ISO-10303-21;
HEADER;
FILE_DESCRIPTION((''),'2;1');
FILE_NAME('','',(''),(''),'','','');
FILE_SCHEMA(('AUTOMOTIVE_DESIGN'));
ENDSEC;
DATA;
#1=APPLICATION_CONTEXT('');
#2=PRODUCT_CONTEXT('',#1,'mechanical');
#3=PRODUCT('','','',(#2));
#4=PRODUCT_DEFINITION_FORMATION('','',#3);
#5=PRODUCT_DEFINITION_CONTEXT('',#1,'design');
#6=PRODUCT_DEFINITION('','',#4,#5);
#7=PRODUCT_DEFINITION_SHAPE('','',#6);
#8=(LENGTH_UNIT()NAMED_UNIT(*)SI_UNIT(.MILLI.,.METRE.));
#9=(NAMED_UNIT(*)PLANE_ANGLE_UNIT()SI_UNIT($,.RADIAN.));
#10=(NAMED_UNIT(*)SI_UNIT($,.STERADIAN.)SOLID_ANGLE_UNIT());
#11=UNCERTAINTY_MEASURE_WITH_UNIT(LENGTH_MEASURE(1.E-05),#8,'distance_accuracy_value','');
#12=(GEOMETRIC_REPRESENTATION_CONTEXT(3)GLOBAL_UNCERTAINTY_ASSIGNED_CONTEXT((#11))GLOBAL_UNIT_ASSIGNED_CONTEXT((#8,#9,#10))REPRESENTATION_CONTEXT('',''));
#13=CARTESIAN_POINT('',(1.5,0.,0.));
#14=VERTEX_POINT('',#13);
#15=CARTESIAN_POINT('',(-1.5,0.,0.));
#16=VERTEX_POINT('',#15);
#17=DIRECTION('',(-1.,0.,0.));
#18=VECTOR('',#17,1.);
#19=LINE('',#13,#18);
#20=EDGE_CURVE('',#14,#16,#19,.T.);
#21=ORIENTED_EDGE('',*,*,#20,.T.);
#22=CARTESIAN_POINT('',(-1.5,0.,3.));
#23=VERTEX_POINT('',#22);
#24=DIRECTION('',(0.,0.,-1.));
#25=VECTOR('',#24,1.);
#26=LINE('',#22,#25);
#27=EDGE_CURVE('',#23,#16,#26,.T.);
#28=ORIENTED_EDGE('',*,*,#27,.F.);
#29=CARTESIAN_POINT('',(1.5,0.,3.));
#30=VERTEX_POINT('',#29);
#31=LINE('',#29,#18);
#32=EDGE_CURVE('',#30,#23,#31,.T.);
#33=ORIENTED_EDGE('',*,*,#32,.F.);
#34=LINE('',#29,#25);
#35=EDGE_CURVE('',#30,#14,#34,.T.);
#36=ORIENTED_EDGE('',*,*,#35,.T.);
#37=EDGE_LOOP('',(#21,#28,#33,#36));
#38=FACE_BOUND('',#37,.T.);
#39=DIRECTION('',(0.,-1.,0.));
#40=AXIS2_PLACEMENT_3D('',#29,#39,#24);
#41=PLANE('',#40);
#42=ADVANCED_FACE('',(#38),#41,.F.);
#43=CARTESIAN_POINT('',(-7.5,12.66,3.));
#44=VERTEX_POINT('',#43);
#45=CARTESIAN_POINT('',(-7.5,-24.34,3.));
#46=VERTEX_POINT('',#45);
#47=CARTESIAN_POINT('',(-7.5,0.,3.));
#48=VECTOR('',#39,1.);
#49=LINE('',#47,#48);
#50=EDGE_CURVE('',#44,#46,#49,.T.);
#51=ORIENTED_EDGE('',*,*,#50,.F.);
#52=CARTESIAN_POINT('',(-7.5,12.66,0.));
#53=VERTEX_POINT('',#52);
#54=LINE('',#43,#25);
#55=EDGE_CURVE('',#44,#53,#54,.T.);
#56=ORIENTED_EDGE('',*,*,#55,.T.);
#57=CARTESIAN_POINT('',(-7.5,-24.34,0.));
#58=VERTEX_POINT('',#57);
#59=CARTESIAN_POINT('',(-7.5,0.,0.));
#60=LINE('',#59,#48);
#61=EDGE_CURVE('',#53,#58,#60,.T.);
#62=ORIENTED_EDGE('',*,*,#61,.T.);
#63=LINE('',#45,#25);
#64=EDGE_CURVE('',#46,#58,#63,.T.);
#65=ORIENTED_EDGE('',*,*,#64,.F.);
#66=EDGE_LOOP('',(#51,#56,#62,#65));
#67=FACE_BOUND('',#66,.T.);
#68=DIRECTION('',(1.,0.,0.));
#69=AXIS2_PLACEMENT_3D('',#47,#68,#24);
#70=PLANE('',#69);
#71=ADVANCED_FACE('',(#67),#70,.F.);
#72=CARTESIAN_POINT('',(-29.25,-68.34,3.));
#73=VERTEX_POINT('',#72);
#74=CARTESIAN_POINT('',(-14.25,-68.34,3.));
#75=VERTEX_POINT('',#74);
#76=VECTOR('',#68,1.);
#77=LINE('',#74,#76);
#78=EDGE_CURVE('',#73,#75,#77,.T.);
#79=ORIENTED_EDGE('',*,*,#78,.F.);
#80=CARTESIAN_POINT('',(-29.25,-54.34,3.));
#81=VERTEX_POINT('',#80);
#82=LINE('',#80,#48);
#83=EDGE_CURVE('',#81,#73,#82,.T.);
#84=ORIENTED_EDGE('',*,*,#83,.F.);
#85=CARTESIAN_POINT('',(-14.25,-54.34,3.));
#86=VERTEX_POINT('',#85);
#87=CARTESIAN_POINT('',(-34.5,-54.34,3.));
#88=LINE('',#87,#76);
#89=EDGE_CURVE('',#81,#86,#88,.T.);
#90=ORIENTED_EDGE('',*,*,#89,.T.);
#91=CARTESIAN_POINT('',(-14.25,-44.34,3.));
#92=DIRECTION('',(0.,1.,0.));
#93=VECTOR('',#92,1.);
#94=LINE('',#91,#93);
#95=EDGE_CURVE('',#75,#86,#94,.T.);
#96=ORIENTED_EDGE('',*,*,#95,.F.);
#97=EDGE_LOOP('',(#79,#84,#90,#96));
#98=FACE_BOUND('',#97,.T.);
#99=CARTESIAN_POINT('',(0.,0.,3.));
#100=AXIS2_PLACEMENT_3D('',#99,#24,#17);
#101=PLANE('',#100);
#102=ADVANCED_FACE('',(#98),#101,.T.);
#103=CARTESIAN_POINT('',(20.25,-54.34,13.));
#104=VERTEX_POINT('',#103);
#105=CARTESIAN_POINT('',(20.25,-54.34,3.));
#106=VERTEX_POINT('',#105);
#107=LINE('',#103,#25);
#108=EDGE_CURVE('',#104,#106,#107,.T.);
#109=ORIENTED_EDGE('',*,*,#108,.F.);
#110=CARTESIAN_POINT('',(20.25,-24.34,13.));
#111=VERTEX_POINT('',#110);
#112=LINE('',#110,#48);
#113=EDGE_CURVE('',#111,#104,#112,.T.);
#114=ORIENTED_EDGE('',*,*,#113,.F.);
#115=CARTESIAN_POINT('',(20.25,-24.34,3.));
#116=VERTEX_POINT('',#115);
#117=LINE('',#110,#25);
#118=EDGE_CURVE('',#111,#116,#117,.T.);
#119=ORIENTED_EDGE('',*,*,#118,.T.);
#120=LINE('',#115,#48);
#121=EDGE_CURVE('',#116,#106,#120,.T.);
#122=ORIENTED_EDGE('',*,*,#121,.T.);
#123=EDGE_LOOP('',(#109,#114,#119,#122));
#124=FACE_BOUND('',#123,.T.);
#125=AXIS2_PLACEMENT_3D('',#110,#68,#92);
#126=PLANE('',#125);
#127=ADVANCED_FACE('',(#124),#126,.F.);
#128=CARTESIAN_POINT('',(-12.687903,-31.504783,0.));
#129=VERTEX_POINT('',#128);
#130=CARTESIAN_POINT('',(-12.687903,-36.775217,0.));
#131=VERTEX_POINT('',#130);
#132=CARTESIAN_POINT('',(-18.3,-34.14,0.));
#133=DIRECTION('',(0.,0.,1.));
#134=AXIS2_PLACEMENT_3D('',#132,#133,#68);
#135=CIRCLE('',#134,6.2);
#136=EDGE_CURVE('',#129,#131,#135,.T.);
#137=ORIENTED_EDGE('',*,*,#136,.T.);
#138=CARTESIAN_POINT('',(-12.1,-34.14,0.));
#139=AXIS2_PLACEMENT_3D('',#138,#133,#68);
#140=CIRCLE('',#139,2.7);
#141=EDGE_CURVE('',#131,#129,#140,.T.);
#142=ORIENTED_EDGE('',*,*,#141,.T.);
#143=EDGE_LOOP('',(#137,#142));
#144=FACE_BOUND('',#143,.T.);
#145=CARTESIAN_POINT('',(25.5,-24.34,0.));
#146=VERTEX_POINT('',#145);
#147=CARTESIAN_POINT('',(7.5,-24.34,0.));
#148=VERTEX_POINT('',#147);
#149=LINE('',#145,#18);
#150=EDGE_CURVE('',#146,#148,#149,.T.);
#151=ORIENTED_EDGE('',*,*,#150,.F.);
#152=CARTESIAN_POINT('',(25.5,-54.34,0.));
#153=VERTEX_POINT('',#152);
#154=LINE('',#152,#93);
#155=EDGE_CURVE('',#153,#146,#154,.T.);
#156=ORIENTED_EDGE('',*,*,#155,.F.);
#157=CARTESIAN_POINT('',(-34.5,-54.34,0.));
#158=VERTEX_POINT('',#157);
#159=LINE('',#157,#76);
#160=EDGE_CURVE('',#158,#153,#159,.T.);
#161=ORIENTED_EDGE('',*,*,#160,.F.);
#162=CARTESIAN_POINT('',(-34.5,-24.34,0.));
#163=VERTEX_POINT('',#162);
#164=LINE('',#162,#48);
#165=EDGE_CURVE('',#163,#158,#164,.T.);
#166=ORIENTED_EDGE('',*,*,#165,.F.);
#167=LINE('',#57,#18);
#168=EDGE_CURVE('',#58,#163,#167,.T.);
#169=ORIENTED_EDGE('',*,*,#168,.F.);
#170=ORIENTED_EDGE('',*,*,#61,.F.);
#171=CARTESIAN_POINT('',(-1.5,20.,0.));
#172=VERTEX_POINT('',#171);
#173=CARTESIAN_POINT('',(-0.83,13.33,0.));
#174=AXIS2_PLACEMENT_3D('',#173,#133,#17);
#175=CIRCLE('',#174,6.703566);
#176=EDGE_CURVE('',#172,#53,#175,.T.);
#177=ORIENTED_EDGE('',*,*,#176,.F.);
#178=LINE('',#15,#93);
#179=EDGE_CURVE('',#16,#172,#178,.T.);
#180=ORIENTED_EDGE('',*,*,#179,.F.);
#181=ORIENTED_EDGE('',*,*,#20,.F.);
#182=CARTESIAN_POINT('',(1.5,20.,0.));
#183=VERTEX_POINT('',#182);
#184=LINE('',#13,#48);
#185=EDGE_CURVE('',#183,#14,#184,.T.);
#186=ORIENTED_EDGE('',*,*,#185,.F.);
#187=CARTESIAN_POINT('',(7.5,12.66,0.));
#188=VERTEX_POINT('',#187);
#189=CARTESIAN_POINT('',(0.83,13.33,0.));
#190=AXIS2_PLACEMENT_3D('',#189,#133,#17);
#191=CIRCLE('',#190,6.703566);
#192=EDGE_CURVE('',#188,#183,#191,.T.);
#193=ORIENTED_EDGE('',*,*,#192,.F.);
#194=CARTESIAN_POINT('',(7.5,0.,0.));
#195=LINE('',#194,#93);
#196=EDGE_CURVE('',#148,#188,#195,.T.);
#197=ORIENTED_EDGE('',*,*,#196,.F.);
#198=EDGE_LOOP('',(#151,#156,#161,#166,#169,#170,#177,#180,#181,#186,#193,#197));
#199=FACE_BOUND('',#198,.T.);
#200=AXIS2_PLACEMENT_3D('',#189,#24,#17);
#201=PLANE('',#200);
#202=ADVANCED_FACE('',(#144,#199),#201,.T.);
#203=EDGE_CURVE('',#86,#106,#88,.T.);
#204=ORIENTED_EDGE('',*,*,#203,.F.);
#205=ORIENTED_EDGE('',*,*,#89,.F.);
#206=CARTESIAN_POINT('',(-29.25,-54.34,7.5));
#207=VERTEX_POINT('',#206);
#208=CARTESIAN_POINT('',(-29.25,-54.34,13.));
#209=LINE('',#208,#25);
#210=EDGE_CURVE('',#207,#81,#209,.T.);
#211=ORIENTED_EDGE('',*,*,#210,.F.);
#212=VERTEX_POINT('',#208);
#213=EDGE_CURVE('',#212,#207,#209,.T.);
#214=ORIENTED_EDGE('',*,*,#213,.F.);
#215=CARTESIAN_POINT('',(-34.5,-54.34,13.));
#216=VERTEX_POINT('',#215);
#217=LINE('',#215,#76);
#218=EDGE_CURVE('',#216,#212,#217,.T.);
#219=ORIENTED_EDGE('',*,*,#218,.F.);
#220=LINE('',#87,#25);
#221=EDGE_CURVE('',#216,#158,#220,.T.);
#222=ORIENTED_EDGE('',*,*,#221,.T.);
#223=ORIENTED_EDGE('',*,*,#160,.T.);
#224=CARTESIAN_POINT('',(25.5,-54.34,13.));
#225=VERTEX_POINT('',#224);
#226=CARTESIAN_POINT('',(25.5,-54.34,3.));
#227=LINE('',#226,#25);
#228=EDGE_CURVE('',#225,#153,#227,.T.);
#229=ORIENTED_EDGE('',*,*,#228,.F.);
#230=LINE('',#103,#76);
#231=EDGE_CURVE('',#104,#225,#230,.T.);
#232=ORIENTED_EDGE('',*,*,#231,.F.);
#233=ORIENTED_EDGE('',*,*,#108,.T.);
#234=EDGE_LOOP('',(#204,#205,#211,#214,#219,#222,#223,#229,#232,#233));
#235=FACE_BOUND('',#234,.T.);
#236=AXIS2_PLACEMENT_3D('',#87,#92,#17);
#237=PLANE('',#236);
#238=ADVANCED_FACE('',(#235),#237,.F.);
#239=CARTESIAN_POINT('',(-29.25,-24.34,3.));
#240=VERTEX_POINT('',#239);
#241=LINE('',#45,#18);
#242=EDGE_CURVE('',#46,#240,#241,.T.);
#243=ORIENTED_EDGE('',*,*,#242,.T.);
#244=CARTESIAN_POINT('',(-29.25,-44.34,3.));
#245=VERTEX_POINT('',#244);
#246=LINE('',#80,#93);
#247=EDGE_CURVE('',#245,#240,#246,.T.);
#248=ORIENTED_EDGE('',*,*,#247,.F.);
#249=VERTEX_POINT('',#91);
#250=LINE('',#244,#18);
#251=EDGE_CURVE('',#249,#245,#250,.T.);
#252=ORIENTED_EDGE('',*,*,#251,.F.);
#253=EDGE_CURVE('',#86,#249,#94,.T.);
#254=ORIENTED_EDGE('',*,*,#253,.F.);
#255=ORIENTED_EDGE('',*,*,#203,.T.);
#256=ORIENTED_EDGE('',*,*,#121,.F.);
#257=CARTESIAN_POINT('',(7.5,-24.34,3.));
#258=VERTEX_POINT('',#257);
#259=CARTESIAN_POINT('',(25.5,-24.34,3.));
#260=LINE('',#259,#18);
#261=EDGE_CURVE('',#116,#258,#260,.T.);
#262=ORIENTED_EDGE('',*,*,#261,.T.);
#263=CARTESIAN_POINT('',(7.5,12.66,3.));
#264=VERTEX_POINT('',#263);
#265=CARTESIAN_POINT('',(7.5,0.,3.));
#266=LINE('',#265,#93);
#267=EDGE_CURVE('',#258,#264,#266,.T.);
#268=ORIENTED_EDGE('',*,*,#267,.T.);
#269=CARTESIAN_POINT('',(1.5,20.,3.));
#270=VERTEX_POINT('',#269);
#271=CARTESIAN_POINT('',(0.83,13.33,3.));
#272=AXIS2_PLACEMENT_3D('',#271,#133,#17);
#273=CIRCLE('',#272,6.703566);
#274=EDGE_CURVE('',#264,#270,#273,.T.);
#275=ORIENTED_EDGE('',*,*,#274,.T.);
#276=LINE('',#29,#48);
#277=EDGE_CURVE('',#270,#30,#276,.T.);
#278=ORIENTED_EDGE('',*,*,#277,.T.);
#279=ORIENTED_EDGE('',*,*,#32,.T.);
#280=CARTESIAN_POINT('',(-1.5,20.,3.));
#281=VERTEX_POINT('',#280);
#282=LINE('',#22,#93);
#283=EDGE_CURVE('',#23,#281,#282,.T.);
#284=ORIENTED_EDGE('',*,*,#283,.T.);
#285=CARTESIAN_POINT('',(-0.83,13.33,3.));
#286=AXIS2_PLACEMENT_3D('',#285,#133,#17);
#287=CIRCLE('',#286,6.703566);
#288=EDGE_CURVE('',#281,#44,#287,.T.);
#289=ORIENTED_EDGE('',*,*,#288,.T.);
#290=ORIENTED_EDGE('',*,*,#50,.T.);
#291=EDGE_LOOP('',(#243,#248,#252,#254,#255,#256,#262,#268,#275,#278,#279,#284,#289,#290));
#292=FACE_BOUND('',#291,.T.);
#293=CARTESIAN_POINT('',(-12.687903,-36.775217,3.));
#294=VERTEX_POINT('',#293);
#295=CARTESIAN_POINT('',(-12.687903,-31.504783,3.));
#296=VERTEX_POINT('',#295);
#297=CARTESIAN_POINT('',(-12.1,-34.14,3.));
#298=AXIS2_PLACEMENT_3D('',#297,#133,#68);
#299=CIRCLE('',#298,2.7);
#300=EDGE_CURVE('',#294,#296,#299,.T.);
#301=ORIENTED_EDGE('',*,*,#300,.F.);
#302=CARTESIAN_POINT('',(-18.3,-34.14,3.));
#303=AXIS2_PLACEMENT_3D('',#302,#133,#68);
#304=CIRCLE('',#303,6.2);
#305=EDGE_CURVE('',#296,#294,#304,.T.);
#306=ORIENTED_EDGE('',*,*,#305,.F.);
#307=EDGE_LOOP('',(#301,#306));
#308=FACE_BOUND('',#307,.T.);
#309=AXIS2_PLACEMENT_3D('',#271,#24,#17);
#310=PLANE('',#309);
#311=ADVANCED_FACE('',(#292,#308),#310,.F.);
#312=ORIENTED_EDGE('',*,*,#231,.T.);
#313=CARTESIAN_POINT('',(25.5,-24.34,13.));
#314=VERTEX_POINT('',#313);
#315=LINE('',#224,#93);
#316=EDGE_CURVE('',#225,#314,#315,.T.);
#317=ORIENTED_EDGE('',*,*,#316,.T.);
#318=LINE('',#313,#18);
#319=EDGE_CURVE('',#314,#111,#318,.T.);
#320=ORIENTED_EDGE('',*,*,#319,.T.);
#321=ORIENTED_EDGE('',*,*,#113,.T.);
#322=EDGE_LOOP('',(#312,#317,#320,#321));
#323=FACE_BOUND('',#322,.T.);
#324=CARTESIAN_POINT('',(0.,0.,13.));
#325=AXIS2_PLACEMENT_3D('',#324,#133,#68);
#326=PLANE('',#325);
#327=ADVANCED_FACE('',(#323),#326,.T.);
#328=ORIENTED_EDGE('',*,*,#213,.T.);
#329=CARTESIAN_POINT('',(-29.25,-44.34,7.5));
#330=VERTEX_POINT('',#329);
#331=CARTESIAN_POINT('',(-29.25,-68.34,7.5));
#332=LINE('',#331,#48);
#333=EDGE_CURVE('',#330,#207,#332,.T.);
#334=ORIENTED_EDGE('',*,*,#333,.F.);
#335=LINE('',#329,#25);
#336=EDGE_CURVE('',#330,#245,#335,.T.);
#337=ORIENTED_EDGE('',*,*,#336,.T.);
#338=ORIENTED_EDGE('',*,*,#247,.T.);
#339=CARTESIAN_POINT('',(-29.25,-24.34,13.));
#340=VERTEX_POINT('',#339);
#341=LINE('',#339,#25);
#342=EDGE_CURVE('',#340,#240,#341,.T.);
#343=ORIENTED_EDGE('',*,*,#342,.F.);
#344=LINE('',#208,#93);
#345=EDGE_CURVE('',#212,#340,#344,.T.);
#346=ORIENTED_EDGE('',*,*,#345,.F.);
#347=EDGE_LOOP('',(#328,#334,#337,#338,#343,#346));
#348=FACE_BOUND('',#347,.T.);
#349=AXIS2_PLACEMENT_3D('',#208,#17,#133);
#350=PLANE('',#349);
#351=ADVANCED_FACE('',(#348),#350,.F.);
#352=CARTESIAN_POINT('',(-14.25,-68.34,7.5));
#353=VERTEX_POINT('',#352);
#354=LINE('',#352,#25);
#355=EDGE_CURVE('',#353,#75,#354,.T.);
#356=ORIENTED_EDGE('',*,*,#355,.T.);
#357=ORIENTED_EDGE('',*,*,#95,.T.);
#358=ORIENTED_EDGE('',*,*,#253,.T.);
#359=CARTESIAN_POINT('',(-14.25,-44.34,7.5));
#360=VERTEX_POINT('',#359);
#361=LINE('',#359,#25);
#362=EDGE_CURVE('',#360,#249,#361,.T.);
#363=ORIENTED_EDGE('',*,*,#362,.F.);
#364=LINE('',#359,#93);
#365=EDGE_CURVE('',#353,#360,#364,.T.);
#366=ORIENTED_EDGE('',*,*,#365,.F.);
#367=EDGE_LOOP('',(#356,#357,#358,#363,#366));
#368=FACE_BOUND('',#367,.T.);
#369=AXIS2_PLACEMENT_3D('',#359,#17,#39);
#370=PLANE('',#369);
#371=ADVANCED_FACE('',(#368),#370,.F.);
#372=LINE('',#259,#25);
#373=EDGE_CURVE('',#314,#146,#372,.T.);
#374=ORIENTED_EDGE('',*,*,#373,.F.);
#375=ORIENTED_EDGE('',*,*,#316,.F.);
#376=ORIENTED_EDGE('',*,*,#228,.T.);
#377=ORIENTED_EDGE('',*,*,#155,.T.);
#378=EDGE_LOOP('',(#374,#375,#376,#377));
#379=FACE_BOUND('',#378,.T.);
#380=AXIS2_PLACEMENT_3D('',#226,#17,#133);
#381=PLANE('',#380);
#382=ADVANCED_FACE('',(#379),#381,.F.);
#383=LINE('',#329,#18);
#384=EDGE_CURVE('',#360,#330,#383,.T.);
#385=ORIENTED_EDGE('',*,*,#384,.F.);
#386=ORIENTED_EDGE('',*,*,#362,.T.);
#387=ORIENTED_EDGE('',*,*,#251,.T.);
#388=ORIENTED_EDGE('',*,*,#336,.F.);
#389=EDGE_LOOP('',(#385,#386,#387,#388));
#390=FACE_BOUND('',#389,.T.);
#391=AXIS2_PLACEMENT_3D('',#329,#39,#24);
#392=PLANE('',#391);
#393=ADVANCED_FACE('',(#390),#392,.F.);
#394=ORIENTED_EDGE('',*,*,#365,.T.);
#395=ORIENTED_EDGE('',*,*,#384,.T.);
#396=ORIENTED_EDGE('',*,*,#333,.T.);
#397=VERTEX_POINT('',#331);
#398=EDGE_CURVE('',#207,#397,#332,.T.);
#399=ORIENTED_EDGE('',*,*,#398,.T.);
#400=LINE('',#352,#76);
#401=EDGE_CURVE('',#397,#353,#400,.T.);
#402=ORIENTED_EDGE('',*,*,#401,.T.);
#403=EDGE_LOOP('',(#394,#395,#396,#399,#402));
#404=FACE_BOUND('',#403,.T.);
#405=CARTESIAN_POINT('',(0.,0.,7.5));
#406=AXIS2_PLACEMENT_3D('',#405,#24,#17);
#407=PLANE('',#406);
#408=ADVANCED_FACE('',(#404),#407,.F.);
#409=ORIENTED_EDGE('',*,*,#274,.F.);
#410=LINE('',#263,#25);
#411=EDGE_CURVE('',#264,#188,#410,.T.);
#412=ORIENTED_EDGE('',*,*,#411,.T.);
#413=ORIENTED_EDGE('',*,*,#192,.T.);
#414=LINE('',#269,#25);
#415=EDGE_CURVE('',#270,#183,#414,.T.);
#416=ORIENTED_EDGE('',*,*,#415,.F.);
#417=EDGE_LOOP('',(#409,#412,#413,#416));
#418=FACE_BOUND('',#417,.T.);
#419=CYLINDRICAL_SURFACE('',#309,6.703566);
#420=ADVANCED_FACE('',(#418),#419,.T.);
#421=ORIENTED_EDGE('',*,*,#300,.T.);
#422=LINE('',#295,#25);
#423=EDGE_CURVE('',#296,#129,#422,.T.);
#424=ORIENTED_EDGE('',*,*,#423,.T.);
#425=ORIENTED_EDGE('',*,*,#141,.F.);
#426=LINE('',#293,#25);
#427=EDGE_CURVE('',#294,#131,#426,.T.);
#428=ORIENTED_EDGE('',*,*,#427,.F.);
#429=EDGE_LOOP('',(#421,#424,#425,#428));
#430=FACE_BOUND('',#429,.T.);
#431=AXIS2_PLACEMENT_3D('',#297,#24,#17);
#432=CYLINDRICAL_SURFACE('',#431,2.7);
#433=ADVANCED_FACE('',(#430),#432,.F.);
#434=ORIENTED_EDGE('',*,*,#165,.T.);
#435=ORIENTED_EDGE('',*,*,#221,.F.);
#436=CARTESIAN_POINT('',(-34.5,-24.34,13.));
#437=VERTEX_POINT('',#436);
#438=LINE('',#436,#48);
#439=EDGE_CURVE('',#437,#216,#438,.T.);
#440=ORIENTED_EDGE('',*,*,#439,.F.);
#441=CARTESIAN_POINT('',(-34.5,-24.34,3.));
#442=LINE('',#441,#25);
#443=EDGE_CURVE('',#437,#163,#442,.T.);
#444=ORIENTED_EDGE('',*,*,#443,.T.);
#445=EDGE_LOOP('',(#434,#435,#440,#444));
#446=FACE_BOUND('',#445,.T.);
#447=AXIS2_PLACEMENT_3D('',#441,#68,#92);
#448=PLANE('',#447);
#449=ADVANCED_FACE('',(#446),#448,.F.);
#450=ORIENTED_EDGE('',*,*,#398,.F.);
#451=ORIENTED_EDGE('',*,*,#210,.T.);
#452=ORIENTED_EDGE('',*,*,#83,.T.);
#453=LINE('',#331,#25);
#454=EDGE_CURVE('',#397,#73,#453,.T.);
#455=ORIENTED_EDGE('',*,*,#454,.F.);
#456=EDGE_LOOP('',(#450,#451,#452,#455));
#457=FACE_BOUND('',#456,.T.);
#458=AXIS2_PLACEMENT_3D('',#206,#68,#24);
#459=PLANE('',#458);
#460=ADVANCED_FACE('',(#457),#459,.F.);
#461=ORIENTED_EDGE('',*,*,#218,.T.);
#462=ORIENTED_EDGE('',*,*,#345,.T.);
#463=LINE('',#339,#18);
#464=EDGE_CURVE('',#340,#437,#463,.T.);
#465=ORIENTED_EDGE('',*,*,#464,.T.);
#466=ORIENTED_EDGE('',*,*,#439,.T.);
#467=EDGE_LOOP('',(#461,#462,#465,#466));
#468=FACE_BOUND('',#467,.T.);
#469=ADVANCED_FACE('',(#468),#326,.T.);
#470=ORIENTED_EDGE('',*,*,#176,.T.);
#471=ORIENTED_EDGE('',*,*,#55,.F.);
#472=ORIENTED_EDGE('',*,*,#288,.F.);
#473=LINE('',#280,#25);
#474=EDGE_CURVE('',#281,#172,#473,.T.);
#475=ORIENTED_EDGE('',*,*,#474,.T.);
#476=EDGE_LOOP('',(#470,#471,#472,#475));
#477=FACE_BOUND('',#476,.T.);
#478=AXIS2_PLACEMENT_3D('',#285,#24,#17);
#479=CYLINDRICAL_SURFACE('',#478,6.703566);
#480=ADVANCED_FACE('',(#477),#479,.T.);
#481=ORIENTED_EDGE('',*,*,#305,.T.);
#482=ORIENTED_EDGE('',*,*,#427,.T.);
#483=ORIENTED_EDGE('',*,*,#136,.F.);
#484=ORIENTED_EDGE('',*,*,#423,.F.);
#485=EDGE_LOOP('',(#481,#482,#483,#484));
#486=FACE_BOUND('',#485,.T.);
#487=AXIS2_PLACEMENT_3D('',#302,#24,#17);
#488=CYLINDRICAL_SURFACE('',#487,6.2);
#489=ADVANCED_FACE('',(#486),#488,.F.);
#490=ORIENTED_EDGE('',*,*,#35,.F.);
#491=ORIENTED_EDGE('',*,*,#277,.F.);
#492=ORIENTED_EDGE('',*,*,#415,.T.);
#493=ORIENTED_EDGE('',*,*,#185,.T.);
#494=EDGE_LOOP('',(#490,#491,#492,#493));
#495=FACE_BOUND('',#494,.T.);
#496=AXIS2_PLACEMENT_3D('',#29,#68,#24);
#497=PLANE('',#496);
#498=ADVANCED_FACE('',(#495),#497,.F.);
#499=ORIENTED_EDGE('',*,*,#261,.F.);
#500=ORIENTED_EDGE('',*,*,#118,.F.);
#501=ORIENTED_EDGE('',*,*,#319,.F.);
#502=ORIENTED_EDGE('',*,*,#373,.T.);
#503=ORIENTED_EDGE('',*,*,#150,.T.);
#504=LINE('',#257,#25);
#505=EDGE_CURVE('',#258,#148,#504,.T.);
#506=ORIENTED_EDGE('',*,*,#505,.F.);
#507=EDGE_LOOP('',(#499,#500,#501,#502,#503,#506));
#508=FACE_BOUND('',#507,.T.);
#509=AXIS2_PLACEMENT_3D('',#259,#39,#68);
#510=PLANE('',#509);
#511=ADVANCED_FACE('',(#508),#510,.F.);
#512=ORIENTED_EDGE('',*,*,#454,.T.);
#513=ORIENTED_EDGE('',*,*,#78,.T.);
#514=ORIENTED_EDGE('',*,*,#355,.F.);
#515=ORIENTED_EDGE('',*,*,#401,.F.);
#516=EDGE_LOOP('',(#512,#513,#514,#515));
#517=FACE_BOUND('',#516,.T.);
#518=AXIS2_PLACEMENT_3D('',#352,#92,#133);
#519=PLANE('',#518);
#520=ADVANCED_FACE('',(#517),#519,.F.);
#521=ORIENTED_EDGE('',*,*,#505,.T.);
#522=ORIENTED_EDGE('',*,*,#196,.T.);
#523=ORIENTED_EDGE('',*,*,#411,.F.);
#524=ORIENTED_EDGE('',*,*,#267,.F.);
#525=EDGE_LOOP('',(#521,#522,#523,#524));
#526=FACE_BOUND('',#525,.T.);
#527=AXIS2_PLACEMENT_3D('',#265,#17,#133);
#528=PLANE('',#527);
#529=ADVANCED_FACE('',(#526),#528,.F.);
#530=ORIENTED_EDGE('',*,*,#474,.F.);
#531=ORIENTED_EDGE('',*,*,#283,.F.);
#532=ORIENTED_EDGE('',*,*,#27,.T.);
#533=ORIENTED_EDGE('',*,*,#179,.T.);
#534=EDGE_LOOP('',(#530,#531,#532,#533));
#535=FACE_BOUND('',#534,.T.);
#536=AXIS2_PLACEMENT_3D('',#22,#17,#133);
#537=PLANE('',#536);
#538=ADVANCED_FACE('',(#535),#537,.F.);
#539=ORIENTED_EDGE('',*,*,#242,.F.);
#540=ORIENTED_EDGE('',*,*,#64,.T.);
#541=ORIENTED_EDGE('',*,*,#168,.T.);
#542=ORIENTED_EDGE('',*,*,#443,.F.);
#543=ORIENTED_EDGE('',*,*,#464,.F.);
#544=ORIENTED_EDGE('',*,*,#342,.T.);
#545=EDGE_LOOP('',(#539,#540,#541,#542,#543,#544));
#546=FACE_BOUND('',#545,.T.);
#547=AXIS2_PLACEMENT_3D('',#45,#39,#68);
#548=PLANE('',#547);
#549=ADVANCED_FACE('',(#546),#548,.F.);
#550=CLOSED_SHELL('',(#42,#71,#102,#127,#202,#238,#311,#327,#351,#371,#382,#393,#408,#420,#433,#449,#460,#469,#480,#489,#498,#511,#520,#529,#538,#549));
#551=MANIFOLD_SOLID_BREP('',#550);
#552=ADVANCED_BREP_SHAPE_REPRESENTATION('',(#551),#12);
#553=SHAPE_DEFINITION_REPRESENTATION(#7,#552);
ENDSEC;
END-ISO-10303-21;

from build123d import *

# Parameters (mm, degrees)
BOSS_EXTRUDE1_DEPTH = 3
SKETCH2_W           = 5.25
SKETCH2_H           = 30
BOSS_EXTRUDE2_DEPTH = 10
BOSS_EXTRUDE3_DEPTH = 4.5


with BuildPart() as part:
    # Sketch1 → Boss-Extrude1 (new body)
    with BuildSketch(Plane.XY):
        with BuildLine():
            Line((1.5, 0), (-1.5, 0))
            Line((-1.5, 0), (-1.5, 20))
            ThreePointArc((-1.5, 20), (-6.020163774, 17.572640687), (-7.5, 12.66))
            Line((-7.5, 12.66), (-7.5, 0))
            Line((-7.5, 0), (-7.5, -24.34))
            Line((-7.5, -24.34), (-34.5, -24.34))
            Line((-34.5, -24.34), (-34.5, -54.34))
            Line((-34.5, -54.34), (25.5, -54.34))
            Line((25.5, -54.34), (25.5, -24.34))
            Line((25.5, -24.34), (7.5, -24.34))
            Line((7.5, -24.34), (7.5, 0))
            Line((7.5, 0), (7.5, 12.66))
            ThreePointArc((7.5, 12.66), (6.020163774, 17.572640687), (1.5, 20))
            Line((1.5, 20), (1.5, 0))
        make_face()
        with BuildLine():
            ThreePointArc((-12.687903226, -31.50478278), (-24.5, -34.14), (-12.687903226, -36.77521722))
            ThreePointArc((-12.687903226, -36.77521722), (-9.4, -34.14), (-12.687903226, -31.50478278))
        make_face(mode=Mode.SUBTRACT)
    extrude(amount=BOSS_EXTRUDE1_DEPTH)

    # Sketch2 → Boss-Extrude2 (add)
    with BuildSketch(Plane.XY.offset(3)):
        with Locations((-31.875, -39.34)):
            Rectangle(SKETCH2_W, SKETCH2_H)
        with Locations((22.875, -39.34)):
            Rectangle(SKETCH2_W, SKETCH2_H)
    extrude(amount=BOSS_EXTRUDE2_DEPTH)

    # Sketch3 → Boss-Extrude3 (add)
    with BuildSketch(Plane.XY.offset(3)):
        Polygon((-29.25, -54.34), (-29.25, -44.34), (-14.25, -44.34), (-14.25, -68.34), (-29.25, -68.34), align=None)
    extrude(amount=BOSS_EXTRUDE3_DEPTH)


solid = part.part
